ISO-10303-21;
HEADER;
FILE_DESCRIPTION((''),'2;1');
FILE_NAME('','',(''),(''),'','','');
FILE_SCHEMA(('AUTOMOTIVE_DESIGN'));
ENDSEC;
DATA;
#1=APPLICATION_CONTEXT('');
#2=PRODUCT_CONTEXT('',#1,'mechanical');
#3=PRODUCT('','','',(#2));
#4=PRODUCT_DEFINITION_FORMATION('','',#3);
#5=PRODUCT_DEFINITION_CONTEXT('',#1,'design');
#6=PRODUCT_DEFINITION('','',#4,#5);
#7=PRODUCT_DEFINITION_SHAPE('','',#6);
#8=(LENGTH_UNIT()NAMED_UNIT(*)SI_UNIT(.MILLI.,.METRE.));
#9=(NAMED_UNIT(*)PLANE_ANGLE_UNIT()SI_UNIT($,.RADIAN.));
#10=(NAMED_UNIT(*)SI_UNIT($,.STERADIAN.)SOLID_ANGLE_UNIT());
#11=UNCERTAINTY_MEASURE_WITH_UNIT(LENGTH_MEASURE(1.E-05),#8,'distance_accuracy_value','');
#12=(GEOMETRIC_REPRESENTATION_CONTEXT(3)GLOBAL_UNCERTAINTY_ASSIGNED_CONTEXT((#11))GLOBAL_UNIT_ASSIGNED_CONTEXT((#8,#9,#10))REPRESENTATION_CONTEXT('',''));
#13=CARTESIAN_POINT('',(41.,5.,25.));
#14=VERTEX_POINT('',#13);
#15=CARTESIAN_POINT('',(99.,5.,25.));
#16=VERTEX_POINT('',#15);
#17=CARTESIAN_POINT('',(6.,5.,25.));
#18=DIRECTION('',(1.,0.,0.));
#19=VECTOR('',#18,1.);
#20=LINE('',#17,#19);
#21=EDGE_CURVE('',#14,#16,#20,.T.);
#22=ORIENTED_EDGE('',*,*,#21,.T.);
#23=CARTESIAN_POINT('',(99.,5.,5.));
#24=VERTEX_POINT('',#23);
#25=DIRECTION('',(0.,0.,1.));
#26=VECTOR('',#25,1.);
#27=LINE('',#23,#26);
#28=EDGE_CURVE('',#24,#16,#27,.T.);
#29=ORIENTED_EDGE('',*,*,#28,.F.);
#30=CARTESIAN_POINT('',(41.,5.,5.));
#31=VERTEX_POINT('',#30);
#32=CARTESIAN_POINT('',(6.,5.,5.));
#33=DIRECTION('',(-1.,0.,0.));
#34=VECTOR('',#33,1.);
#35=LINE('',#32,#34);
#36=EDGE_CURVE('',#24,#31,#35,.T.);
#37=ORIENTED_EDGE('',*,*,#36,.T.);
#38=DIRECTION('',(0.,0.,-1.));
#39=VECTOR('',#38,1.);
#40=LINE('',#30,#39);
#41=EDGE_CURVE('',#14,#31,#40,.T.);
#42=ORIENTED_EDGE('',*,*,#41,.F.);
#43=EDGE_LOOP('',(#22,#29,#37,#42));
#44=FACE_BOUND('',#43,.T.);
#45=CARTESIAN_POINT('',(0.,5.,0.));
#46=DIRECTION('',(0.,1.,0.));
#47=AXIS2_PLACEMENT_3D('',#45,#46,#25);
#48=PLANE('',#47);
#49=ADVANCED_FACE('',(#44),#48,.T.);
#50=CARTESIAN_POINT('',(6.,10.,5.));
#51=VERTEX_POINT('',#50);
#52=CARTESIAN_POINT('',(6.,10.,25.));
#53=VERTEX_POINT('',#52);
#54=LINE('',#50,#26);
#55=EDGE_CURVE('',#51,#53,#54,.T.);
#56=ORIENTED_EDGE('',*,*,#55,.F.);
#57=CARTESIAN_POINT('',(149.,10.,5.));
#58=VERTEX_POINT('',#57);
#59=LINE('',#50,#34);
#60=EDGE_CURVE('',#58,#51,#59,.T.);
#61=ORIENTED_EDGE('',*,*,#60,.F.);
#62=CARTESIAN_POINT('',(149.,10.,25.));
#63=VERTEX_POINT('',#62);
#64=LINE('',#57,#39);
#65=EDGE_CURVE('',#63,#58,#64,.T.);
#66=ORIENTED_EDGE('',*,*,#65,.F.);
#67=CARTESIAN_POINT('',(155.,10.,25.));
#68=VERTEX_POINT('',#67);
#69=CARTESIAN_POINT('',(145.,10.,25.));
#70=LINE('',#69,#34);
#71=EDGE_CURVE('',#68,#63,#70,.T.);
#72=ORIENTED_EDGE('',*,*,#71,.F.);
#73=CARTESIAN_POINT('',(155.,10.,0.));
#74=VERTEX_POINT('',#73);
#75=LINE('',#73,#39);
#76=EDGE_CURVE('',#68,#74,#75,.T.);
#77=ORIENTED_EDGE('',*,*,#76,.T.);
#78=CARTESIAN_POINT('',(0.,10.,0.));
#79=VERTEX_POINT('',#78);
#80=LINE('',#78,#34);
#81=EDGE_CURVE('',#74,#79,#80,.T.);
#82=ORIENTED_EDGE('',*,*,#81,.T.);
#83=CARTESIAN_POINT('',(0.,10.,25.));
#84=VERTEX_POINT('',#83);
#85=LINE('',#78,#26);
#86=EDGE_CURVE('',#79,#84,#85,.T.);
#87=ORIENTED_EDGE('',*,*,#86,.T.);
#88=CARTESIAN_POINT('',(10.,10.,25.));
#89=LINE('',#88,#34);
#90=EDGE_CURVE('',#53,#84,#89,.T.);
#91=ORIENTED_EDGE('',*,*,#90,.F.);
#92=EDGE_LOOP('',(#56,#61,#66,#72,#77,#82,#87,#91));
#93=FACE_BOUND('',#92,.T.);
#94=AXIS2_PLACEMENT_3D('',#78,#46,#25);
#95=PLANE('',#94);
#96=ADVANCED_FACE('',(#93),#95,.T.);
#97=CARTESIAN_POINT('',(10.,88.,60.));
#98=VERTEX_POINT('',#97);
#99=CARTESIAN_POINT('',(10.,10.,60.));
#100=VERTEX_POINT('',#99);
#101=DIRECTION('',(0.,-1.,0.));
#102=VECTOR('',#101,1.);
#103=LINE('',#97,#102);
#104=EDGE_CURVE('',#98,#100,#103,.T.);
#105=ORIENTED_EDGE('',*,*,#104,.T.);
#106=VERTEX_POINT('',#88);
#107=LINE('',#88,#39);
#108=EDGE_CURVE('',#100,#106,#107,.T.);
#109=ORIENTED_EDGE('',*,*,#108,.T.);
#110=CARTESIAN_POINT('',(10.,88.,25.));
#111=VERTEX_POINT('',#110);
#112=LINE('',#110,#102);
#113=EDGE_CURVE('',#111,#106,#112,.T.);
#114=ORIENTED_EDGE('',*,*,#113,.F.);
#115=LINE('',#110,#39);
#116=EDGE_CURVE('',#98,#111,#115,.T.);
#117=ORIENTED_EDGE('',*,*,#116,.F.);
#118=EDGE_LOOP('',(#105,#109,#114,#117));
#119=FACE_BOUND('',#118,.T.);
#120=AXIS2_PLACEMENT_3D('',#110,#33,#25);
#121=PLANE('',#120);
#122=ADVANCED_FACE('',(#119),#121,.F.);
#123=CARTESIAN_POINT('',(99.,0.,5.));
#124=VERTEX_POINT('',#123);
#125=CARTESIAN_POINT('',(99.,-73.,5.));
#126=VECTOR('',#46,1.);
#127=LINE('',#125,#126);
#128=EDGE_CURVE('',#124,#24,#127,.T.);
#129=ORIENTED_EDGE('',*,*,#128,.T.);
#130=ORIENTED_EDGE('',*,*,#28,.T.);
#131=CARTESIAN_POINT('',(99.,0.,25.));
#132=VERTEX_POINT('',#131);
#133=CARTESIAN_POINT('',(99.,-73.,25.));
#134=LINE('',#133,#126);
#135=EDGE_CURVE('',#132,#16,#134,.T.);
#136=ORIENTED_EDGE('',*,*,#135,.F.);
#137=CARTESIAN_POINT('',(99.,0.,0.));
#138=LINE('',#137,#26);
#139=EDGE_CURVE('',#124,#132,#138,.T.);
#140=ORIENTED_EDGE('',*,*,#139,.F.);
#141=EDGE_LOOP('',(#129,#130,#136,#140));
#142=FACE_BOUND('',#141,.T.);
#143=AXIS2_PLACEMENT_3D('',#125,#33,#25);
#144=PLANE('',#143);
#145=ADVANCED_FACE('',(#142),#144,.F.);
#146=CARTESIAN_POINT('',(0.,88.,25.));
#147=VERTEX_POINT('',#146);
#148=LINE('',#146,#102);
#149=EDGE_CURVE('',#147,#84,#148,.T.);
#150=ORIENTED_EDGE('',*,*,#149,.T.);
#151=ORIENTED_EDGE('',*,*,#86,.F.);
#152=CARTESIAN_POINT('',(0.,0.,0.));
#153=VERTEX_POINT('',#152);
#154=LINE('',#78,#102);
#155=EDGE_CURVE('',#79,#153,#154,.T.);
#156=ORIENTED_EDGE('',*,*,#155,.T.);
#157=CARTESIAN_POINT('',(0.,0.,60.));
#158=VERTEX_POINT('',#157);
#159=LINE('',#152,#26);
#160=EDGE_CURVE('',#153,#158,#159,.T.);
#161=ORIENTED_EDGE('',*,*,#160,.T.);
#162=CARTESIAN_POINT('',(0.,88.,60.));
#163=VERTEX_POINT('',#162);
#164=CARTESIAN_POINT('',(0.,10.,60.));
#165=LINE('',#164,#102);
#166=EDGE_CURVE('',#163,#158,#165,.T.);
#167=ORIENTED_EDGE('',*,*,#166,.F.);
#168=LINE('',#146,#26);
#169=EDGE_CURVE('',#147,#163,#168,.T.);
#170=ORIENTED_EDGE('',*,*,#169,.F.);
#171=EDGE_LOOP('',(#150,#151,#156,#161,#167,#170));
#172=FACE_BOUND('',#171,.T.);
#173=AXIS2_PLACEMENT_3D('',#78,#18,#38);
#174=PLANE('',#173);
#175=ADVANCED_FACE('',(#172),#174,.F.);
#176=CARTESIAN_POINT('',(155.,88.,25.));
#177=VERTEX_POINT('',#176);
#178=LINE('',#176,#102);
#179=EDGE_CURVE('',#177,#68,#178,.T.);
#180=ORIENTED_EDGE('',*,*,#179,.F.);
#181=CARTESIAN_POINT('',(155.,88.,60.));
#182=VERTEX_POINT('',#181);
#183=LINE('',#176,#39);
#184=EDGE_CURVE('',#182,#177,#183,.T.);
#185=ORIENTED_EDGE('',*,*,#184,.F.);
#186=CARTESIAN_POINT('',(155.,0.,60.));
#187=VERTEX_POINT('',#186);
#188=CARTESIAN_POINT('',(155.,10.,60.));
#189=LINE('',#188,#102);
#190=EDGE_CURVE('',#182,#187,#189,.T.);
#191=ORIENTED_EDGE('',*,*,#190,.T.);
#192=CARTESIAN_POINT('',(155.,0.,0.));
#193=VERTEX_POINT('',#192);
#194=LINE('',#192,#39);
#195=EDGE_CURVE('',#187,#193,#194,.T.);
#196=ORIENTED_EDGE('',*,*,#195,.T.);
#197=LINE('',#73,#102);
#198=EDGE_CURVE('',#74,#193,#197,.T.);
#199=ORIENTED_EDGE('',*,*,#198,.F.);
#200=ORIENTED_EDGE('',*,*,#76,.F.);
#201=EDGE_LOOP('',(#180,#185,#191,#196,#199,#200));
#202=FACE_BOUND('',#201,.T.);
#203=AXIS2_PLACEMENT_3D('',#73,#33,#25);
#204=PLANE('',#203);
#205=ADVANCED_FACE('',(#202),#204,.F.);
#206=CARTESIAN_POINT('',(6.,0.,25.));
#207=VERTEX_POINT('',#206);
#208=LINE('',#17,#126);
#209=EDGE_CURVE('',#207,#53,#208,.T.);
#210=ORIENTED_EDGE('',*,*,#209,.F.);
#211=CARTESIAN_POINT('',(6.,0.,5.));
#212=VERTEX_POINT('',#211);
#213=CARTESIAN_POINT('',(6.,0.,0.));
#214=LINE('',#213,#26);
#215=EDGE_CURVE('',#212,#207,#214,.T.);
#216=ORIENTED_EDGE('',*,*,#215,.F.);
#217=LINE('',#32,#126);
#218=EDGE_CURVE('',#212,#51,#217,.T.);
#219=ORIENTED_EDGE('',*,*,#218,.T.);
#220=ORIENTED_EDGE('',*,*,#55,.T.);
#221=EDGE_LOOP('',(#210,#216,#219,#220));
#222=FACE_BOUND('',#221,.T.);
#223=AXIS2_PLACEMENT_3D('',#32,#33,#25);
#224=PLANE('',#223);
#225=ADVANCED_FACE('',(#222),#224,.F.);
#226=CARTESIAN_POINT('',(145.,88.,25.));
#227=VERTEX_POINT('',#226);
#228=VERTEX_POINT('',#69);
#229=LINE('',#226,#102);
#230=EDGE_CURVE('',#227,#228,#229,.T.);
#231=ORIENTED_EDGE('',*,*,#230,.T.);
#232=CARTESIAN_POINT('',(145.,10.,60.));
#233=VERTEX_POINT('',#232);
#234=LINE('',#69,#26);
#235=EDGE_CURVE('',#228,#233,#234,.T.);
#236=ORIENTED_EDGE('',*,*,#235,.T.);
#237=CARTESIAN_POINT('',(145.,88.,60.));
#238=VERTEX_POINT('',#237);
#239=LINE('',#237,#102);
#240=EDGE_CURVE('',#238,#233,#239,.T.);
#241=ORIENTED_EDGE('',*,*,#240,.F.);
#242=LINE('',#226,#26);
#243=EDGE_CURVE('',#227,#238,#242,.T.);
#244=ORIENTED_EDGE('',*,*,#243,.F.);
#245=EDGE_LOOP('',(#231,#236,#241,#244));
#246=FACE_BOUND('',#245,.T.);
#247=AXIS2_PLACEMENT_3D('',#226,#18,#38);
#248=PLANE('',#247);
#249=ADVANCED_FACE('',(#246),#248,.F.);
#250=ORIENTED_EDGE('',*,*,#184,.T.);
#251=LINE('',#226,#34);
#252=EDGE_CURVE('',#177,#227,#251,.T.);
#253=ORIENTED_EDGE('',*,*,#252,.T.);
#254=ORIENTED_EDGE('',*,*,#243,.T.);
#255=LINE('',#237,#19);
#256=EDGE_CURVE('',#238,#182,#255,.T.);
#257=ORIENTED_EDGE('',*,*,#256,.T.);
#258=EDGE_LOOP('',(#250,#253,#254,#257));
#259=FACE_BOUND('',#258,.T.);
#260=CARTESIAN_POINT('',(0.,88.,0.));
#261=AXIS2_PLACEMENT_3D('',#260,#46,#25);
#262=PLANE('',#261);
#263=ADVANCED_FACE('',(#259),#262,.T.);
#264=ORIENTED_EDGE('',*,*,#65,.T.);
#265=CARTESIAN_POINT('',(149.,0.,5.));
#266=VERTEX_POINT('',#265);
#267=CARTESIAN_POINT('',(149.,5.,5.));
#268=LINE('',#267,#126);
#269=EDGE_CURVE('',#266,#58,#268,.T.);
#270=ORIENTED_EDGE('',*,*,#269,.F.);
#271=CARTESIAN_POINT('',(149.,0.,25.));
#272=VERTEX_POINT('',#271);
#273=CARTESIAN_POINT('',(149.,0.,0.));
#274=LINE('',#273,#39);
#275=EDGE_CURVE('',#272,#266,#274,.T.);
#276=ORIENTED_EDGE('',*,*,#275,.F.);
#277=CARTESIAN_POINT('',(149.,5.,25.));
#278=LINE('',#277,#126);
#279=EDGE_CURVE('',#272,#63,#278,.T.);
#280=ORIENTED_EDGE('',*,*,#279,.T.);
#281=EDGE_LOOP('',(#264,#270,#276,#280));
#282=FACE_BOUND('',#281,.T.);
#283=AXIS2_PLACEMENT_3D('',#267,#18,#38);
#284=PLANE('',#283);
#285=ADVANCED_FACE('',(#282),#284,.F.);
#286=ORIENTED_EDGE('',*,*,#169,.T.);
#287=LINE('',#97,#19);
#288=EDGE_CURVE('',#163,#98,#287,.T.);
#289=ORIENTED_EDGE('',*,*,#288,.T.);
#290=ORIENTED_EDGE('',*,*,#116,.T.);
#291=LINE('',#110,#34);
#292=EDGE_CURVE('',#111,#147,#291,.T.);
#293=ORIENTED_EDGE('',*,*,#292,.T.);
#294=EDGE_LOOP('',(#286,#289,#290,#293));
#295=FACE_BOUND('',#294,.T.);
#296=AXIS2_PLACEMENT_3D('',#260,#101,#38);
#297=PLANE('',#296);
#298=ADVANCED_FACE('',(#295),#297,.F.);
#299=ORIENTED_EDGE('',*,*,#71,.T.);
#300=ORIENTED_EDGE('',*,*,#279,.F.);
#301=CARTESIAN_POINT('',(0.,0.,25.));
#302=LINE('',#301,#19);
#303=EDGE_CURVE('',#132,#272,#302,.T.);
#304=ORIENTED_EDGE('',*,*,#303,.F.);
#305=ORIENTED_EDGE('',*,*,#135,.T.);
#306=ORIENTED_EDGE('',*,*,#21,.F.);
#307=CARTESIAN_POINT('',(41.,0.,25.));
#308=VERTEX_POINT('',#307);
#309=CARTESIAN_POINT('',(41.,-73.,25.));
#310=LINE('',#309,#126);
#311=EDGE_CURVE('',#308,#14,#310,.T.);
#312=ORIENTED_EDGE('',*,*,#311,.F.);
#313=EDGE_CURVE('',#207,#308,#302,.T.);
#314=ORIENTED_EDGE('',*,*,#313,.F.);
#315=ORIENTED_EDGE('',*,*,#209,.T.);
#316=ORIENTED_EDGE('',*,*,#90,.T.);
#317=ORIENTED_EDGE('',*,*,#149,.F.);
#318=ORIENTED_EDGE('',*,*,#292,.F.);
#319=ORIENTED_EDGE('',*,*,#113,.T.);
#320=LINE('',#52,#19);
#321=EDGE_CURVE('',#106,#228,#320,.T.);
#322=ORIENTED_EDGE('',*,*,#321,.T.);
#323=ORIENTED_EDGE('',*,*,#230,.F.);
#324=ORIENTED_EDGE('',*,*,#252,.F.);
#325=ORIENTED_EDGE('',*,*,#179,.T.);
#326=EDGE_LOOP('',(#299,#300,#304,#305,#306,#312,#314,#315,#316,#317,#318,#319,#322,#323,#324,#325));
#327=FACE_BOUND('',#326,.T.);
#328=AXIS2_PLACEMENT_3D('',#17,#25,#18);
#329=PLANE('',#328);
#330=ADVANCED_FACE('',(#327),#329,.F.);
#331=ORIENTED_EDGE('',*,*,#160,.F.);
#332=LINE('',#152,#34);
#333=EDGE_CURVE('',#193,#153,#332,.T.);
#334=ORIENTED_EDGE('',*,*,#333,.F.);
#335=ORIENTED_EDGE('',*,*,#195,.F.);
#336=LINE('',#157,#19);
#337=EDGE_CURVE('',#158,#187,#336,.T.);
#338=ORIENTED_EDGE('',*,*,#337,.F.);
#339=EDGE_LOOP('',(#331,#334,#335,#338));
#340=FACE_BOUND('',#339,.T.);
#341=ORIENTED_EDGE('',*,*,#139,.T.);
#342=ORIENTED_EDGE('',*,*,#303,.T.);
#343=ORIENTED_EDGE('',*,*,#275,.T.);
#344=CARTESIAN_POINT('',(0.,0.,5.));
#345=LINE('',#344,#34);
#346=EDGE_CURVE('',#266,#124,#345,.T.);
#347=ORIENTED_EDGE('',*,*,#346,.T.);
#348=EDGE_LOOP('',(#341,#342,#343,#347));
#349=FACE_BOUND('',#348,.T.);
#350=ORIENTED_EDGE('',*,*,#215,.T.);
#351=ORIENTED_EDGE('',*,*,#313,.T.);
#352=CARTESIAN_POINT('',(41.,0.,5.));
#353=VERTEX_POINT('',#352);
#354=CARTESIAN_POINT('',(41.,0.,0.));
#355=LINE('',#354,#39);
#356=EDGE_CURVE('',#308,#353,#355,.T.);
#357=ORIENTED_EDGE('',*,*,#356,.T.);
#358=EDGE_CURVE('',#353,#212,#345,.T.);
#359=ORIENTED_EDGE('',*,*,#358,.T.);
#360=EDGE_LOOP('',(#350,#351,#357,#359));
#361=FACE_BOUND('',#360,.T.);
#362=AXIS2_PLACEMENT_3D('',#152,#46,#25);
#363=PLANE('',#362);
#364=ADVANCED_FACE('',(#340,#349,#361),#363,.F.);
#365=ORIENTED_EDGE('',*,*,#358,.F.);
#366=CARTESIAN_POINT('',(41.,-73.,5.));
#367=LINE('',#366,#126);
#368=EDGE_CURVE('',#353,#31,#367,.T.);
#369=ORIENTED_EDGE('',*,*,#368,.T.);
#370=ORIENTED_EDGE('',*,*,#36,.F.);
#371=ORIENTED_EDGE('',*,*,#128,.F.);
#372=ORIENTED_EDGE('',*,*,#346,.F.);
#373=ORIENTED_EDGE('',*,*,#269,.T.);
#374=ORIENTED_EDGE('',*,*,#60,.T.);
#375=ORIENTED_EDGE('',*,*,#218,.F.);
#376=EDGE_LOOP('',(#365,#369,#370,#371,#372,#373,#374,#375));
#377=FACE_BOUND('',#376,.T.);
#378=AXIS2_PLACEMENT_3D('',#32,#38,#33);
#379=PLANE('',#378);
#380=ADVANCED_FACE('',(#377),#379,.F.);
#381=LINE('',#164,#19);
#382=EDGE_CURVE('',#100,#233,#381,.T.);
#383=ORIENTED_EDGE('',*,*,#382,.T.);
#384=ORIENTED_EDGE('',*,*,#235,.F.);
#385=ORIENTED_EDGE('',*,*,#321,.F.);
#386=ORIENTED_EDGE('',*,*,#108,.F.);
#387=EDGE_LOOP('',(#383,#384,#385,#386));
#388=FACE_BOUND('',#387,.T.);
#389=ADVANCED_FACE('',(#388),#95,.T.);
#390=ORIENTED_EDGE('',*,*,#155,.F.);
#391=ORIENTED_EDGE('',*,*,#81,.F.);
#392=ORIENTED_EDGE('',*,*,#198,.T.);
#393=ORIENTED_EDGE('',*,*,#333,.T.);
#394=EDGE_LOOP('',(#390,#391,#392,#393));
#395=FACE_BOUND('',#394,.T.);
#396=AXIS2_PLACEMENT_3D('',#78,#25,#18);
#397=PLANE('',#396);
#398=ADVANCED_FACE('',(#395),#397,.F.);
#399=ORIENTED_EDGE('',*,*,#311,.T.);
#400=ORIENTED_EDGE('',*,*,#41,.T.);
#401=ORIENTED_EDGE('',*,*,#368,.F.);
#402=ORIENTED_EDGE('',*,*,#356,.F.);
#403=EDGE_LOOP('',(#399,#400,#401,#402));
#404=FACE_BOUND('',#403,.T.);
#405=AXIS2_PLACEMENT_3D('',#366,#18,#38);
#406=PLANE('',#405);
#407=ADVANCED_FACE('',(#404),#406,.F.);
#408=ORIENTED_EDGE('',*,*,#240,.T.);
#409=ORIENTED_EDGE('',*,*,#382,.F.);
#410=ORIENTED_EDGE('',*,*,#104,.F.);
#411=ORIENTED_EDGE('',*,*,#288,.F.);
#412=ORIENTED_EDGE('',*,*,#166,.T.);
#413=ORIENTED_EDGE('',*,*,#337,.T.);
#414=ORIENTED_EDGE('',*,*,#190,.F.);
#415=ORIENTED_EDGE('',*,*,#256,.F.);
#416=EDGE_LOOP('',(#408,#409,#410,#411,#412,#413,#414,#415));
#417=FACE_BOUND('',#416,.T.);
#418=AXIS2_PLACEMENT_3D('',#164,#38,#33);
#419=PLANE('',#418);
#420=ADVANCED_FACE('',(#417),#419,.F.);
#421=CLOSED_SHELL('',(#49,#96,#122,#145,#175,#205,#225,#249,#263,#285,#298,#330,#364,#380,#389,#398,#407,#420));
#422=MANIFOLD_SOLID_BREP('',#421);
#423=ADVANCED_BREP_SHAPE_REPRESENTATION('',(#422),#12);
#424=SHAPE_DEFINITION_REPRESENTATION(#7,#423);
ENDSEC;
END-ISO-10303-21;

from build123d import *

# Parameters (mm, degrees)
SKETCH1_W           = 155
SKETCH1_H           = 60
BOSS_EXTRUDE1_DEPTH = 10
SKETCH2_W           = 143
SKETCH2_H           = 20
CUT_EXTRUDE1_DEPTH  = 5
SKETCH3_W           = 10
SKETCH3_H           = 35
BOSS_EXTRUDE2_DEPTH = 78
SKETCH4_W           = 35
SKETCH4_H           = 20
SKETCH4_W_2         = 50
CUT_EXTRUDE2_DEPTH  = 78


with BuildPart() as part:
    # Sketch1 → Boss-Extrude1 (new body)
    with BuildSketch(Plane(origin=(0, 0, 0), x_dir=(1, 0, 0), z_dir=(0, 1, 0))):
        with Locations((77.5, -30)):
            Rectangle(SKETCH1_W, SKETCH1_H)
    extrude(amount=BOSS_EXTRUDE1_DEPTH)

    # Sketch2 → Cut-Extrude1 (cut)
    with BuildSketch(Plane(origin=(0, 10, 0), x_dir=(1, 0, 0), z_dir=(0, 1, 0))):
        with Locations((77.5, -15)):
            Rectangle(SKETCH2_W, SKETCH2_H)
    extrude(amount=-CUT_EXTRUDE1_DEPTH, mode=Mode.SUBTRACT)

    # Sketch3 → Boss-Extrude2 (add)
    with BuildSketch(Plane(origin=(0, 10, 0), x_dir=(1, 0, 0), z_dir=(0, 1, 0))):
        with Locations((5, -42.5)):
            Rectangle(SKETCH3_W, SKETCH3_H)
        with Locations((150, -42.5)):
            Rectangle(SKETCH3_W, SKETCH3_H)
    extrude(amount=BOSS_EXTRUDE2_DEPTH)

    # Sketch4 → Cut-Extrude2 (cut)
    with BuildSketch(Plane(origin=(0, 5, 0), x_dir=(1, 0, 0), z_dir=(0, 1, 0))):
        with Locations((23.5, -15)):
            Rectangle(SKETCH4_W, SKETCH4_H)
        with Locations((124, -15)):
            Rectangle(SKETCH4_W_2, SKETCH4_H)
    extrude(amount=-CUT_EXTRUDE2_DEPTH, mode=Mode.SUBTRACT)


solid = part.part
